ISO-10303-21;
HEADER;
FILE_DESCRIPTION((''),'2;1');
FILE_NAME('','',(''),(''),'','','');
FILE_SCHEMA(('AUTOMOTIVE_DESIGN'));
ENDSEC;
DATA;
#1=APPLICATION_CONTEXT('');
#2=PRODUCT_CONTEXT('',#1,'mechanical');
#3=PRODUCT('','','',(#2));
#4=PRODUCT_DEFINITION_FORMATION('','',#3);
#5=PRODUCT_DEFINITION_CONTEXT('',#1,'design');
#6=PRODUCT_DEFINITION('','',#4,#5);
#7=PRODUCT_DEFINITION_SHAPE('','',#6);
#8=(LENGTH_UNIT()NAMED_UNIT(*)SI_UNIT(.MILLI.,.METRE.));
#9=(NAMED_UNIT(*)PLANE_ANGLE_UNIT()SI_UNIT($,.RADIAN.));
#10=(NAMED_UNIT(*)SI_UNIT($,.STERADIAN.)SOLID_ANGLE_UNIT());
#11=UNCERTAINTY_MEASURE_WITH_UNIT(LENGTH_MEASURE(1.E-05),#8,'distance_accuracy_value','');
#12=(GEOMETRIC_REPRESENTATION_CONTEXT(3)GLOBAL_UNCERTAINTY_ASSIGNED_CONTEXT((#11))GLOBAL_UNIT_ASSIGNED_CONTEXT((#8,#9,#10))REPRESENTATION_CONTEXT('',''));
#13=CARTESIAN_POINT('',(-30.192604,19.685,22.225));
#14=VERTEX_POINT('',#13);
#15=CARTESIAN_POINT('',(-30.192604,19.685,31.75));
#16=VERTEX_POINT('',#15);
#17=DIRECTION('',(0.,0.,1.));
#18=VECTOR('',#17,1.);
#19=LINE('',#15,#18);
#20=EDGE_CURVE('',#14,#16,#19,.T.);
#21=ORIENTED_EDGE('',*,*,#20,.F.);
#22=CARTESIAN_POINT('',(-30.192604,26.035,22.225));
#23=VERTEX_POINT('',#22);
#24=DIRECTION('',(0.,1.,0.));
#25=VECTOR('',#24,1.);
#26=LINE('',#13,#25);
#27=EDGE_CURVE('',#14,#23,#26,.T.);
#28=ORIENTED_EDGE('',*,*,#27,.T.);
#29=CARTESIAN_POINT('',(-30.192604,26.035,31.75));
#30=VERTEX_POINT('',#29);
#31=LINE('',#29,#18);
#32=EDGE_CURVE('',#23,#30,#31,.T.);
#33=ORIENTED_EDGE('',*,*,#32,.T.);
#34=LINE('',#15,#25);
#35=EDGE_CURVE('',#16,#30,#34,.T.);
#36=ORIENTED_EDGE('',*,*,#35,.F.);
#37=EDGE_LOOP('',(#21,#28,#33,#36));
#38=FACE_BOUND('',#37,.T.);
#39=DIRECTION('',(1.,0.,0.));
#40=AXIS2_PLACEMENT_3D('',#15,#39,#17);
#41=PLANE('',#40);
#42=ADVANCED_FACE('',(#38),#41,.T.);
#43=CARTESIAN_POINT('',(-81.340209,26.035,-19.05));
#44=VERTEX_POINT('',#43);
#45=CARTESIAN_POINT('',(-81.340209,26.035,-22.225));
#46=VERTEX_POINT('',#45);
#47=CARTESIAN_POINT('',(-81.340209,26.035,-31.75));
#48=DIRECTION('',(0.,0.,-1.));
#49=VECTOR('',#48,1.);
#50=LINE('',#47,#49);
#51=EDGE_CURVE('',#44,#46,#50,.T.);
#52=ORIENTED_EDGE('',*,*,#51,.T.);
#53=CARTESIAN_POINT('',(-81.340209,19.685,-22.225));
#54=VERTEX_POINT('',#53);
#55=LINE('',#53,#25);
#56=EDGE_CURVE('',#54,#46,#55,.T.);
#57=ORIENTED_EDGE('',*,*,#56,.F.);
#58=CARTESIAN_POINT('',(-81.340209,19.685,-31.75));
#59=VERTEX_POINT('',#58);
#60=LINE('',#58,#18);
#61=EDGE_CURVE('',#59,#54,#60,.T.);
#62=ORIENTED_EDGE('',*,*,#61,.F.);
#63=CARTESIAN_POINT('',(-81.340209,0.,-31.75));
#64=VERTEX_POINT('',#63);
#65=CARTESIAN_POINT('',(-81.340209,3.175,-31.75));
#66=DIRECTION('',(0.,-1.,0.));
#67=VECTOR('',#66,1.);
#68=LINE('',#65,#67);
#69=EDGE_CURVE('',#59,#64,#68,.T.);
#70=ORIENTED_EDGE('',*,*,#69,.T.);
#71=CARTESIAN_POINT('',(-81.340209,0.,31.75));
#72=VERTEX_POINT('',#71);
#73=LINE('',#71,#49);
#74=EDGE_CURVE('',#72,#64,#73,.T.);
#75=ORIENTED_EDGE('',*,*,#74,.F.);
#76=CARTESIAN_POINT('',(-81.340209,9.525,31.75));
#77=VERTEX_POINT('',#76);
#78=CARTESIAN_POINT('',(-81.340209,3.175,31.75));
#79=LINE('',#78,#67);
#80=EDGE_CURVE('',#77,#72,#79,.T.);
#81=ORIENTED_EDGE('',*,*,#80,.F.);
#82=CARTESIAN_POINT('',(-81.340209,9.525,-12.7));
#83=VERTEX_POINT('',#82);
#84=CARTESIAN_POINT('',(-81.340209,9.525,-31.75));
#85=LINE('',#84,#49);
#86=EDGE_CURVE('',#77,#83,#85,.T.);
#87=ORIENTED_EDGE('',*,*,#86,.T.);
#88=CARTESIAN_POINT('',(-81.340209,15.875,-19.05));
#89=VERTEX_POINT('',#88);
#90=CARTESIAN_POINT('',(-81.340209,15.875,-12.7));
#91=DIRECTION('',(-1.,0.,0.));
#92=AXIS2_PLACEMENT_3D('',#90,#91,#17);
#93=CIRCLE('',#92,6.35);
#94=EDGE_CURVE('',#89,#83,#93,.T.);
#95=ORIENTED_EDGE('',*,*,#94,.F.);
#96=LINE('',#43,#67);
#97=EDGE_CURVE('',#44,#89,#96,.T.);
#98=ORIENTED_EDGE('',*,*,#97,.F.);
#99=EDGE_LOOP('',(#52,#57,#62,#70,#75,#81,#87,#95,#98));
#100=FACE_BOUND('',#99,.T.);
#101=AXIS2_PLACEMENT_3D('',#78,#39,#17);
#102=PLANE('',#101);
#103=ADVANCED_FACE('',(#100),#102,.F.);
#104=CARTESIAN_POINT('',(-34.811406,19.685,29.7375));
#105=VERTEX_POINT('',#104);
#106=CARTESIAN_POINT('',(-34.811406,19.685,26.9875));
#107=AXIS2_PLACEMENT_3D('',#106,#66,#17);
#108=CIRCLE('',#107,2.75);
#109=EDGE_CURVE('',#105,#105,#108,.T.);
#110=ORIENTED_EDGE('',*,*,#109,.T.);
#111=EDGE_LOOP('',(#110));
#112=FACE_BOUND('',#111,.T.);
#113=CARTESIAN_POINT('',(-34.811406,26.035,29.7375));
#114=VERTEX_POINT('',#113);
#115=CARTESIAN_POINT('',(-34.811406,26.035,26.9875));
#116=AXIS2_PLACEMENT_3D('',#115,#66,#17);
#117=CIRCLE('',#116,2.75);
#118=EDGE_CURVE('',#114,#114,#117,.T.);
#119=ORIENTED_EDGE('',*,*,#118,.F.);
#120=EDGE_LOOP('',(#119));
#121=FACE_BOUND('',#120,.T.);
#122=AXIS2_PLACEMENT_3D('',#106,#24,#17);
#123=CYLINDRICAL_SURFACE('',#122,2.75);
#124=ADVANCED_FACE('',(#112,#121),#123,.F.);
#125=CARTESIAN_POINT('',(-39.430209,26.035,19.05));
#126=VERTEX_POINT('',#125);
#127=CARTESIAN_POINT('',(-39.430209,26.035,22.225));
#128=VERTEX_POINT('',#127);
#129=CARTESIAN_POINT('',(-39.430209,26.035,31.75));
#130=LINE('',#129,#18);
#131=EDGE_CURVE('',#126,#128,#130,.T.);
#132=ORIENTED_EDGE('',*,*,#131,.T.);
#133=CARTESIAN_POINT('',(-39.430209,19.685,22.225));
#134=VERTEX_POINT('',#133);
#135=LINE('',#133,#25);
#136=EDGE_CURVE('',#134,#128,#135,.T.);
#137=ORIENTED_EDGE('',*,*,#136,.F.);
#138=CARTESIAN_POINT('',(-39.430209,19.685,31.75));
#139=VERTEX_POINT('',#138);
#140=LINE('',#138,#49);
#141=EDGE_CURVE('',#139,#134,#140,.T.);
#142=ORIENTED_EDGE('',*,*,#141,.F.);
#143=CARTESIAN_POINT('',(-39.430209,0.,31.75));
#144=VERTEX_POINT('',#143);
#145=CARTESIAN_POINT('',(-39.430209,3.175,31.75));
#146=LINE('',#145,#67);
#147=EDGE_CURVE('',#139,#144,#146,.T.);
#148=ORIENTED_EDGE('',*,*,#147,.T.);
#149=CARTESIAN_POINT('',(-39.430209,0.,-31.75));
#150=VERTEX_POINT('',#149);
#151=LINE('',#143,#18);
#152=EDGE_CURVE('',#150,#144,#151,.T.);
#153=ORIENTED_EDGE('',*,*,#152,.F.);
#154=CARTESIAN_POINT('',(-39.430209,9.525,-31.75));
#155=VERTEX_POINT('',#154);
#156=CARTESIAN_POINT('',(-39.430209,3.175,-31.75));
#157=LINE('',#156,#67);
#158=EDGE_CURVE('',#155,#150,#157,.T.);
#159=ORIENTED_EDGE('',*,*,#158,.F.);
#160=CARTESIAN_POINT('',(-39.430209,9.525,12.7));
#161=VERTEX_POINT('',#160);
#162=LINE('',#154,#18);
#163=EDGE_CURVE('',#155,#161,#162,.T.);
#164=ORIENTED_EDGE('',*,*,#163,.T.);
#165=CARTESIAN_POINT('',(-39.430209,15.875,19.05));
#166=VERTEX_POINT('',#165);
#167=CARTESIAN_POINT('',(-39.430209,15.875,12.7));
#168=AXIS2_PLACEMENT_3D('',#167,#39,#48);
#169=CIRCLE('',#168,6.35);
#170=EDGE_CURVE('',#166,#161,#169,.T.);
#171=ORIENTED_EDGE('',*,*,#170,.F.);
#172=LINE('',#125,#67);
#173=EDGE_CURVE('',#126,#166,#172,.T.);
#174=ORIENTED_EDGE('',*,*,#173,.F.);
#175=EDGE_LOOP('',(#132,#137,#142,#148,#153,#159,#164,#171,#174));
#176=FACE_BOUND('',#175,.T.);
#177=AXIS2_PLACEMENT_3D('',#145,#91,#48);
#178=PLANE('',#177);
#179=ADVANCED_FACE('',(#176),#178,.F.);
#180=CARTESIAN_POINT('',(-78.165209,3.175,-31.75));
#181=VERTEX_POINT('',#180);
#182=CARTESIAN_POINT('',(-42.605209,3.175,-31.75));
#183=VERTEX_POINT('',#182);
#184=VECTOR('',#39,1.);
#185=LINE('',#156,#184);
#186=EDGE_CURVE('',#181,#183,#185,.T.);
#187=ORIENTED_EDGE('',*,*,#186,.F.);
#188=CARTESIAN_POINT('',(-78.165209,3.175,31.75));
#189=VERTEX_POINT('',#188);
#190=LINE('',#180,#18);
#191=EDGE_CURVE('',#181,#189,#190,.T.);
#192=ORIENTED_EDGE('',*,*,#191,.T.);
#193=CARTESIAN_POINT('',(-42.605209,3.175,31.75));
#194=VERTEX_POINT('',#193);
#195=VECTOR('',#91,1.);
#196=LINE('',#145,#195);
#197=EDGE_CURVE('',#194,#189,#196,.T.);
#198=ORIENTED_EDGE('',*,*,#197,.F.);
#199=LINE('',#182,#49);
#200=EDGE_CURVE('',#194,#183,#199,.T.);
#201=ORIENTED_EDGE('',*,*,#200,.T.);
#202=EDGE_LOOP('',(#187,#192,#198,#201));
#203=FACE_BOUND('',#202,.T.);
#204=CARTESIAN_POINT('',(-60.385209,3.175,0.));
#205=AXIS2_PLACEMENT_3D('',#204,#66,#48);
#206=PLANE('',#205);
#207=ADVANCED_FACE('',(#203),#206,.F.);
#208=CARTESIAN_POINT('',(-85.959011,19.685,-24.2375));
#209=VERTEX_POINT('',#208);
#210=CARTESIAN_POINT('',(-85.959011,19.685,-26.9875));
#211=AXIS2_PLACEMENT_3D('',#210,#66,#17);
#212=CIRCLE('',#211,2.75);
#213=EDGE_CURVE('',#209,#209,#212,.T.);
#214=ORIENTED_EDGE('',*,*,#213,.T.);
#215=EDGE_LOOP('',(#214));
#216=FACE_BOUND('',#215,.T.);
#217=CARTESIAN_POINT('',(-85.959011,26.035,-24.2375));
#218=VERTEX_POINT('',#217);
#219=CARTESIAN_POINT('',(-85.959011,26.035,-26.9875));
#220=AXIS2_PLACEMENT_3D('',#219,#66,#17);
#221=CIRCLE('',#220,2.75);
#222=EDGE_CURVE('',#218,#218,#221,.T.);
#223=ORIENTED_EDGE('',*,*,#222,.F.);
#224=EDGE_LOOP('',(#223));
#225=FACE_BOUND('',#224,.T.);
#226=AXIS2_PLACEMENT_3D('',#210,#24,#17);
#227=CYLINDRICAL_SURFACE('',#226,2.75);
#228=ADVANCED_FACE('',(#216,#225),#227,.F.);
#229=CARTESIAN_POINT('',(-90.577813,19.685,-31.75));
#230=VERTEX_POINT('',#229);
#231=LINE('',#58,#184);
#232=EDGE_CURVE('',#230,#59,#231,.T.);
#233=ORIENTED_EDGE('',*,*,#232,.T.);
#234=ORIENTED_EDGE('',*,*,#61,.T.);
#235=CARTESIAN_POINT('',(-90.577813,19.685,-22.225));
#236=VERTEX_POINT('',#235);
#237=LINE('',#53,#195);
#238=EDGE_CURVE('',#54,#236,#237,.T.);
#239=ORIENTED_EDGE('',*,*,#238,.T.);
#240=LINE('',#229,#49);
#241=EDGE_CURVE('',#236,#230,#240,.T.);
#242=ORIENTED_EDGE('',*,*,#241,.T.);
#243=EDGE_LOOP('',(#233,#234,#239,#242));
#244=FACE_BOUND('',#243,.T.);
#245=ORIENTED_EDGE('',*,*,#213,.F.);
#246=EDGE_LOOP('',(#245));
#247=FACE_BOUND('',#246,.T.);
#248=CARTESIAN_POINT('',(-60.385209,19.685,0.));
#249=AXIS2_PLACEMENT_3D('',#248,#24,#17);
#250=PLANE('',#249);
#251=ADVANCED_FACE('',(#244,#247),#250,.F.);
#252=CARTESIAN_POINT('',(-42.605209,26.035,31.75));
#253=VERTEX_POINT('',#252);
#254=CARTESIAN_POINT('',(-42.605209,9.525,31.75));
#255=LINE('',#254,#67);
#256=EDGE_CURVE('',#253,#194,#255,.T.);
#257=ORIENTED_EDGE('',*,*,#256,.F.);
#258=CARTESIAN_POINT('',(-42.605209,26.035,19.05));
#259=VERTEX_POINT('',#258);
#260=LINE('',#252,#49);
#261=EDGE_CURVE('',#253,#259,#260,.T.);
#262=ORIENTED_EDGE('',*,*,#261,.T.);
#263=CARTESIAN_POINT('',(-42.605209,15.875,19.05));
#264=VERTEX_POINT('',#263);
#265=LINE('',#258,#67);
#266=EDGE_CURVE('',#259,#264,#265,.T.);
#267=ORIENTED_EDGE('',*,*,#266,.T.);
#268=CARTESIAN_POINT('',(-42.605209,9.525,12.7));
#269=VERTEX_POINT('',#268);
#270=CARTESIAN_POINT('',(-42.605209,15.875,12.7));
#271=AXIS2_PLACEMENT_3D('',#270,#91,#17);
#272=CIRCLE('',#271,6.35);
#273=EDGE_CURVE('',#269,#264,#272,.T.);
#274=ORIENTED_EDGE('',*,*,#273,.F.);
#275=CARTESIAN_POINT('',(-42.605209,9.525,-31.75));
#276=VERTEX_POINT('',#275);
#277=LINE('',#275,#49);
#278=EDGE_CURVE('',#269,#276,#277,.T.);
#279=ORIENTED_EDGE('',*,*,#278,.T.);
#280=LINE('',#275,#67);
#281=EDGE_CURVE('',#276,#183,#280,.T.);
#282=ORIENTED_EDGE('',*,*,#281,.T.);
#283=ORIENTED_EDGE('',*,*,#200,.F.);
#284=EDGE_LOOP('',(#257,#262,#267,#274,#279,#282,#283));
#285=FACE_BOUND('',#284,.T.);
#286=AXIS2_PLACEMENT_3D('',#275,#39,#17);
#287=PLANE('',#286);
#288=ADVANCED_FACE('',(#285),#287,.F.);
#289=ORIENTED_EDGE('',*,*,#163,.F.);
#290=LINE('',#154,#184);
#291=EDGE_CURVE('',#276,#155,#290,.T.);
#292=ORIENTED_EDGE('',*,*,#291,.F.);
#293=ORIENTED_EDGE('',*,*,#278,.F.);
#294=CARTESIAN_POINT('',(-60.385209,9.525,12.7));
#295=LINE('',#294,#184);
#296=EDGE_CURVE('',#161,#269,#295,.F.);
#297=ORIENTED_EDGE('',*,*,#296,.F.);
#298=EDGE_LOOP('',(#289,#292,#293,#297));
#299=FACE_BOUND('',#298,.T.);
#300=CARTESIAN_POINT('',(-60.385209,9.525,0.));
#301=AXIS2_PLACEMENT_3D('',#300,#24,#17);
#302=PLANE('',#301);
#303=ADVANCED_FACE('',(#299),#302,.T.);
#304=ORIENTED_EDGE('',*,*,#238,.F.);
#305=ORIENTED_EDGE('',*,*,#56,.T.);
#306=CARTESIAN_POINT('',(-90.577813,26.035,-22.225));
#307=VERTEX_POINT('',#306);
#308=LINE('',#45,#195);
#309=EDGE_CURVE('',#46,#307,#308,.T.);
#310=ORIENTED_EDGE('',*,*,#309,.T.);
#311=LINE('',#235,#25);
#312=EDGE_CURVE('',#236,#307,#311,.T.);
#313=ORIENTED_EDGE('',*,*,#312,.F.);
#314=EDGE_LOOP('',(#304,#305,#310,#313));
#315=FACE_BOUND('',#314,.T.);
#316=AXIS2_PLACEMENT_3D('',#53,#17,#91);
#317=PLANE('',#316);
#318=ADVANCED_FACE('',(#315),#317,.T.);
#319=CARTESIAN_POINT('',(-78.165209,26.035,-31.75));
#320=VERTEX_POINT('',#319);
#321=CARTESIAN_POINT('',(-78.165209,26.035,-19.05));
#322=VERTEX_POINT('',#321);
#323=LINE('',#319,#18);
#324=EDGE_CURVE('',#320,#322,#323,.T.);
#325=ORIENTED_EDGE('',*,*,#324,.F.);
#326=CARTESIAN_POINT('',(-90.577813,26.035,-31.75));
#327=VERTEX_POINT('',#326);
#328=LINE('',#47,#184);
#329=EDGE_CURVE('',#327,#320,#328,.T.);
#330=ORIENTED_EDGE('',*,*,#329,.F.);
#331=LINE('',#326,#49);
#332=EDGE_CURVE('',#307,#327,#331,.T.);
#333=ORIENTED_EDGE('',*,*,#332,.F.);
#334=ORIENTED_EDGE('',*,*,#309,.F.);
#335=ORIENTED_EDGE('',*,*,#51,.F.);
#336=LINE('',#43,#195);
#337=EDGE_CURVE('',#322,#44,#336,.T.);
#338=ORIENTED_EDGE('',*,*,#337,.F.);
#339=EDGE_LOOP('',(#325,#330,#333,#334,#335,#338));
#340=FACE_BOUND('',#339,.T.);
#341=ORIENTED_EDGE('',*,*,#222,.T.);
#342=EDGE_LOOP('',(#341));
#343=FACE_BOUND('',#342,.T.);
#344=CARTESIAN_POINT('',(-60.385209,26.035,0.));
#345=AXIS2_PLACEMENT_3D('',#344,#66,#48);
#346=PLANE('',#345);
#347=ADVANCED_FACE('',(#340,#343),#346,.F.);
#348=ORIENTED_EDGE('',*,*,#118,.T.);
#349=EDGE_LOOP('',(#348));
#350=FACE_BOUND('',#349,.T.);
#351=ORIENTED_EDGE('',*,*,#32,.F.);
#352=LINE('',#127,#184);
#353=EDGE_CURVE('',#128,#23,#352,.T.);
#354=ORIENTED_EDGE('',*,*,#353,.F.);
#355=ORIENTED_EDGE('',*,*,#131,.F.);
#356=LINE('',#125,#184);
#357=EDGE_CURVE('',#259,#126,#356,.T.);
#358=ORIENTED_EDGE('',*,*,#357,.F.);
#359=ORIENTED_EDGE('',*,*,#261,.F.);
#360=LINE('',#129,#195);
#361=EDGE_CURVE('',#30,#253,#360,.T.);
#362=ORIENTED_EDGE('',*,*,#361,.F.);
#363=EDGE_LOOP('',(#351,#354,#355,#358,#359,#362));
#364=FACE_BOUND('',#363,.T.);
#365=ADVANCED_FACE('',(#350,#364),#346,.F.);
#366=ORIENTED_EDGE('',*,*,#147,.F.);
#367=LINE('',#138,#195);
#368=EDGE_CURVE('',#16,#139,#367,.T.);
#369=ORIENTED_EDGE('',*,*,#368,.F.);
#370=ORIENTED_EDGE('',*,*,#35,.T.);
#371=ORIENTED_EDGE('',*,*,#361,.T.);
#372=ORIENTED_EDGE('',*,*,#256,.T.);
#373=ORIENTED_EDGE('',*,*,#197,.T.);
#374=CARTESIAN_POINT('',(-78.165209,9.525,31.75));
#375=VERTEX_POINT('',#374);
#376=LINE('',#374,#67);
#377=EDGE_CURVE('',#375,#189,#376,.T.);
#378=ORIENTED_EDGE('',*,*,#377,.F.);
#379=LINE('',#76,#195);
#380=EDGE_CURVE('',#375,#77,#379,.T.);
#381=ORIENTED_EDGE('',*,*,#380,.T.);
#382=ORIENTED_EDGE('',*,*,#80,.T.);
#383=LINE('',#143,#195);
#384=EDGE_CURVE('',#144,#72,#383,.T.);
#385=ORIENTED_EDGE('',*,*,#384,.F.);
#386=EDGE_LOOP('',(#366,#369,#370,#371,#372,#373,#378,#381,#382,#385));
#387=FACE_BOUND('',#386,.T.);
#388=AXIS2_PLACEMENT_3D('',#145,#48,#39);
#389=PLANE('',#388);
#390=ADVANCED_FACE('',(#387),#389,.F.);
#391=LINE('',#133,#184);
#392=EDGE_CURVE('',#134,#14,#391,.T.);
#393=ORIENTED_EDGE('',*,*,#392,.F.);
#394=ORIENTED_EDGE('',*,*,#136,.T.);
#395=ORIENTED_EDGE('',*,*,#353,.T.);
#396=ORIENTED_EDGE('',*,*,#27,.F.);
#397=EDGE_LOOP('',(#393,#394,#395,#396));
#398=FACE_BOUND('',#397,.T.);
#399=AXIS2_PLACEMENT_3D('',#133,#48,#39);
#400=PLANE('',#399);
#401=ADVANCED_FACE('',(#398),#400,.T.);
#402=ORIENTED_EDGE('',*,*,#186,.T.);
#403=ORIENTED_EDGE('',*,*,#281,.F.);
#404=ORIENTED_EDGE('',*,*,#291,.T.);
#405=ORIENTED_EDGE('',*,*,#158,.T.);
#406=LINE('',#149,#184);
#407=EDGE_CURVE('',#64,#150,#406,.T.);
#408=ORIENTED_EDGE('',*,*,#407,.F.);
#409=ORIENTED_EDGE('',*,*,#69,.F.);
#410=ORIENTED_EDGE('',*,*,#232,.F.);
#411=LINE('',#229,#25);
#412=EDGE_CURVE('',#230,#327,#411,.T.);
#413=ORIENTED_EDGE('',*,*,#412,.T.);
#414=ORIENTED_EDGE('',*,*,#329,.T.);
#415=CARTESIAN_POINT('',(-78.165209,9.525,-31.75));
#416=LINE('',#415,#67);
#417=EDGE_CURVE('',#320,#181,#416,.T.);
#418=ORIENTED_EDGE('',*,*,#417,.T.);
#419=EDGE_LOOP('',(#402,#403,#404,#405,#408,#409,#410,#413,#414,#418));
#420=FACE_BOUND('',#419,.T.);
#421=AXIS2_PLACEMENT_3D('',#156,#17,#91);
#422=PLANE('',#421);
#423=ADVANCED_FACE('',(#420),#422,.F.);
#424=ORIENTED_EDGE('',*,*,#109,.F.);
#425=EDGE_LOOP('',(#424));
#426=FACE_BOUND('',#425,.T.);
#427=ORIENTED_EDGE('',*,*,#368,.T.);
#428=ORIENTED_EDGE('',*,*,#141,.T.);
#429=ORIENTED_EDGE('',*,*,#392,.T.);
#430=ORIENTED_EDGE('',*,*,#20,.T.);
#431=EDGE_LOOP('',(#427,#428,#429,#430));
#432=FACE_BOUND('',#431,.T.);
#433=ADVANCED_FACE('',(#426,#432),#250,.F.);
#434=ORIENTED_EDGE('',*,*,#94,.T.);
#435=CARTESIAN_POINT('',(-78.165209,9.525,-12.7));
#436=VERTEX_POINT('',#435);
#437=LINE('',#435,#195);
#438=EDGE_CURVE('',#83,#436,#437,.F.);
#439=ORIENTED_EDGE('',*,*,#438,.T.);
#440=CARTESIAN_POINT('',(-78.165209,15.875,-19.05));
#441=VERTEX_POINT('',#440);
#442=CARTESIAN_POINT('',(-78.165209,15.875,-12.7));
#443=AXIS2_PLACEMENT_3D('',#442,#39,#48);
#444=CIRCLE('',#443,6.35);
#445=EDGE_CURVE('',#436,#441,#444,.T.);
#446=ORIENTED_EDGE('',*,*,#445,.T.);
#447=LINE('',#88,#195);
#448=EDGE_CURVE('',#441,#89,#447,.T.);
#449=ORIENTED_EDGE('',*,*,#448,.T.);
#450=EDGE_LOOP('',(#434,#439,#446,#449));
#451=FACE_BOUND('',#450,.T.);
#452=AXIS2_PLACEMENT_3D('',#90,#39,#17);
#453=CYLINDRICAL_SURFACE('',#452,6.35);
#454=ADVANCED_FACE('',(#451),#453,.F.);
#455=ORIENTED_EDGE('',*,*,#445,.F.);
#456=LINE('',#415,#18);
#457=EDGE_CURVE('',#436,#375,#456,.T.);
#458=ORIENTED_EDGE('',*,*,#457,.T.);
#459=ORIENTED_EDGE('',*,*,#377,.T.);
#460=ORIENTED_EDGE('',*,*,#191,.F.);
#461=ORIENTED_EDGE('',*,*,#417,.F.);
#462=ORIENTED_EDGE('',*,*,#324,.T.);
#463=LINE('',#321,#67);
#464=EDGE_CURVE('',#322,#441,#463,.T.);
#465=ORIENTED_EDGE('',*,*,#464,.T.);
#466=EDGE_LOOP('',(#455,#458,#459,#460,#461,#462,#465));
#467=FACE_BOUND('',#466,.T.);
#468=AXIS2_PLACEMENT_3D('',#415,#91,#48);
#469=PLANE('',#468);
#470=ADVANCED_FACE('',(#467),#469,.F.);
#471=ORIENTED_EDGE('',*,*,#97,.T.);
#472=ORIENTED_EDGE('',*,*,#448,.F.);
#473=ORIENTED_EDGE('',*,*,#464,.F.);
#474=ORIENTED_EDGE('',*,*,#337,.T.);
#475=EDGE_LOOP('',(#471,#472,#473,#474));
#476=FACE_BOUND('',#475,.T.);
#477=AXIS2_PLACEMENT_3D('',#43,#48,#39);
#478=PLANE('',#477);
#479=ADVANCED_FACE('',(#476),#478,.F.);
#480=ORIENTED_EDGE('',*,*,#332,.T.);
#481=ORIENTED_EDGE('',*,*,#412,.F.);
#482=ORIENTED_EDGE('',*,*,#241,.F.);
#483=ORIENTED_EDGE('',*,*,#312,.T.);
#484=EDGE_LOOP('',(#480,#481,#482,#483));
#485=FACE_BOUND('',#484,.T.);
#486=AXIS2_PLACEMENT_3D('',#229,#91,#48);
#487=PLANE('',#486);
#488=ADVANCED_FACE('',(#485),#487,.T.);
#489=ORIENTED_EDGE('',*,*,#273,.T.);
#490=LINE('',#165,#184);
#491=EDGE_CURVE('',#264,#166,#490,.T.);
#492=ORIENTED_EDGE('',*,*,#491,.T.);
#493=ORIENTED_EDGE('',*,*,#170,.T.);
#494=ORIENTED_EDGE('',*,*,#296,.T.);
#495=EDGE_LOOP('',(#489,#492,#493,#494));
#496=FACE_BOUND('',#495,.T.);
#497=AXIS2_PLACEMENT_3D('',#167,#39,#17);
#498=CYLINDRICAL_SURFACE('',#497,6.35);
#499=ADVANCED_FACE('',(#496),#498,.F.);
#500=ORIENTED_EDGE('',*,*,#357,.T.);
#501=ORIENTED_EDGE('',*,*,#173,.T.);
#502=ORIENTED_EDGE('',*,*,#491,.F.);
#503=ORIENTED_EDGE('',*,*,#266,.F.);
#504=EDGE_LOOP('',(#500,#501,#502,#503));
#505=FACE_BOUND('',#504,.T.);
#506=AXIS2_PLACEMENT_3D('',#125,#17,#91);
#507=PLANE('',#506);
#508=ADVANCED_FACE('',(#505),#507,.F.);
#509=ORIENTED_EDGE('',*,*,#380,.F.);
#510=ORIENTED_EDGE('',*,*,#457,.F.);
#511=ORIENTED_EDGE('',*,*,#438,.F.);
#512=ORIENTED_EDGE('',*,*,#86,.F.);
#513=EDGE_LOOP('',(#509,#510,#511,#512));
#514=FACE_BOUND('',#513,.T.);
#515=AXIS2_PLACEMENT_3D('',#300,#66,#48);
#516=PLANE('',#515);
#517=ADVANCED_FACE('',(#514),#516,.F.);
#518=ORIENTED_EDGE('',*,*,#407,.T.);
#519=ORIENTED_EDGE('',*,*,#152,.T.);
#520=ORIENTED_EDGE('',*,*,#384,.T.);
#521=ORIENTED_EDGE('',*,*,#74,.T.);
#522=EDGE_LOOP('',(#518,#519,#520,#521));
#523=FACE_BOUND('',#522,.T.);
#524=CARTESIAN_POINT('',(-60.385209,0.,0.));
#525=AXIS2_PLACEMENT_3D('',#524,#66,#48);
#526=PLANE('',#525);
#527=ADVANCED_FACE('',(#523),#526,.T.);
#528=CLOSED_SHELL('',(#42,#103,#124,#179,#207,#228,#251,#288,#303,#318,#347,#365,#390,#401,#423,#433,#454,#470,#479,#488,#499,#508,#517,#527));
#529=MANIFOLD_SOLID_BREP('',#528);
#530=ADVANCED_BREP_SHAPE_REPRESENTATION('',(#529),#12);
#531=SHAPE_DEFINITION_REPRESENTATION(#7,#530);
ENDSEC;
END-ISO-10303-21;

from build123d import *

# Parameters (mm, degrees)
SKETCH1_W           = 41.91
SKETCH1_H           = 63.5
BOSS_EXTRUDE1_DEPTH = 3.175
SKETCH2_W           = 3.175
SKETCH2_H           = 63.5
BOSS_EXTRUDE2_DEPTH = 6.35
SKETCH5_W           = 3.175
SKETCH5_H           = 12.7
BOSS_EXTRUDE4_DEPTH = 16.51
SKETCH6_W           = 9.237604307
SKETCH6_H           = 9.525
SKETCH6_R           = 2.75
BOSS_EXTRUDE5_DEPTH = 6.35
FILLET2_R           = 6.35


with BuildPart() as part:
    # Sketch1 → Boss-Extrude1 (new body)
    with BuildSketch(Plane(origin=(0, 0, 0), x_dir=(1, 0, 0), z_dir=(0, 1, 0))):
        Rectangle(SKETCH1_W, SKETCH1_H)
    extrude(amount=BOSS_EXTRUDE1_DEPTH)

    # Sketch2 → Boss-Extrude2 (add)
    with BuildSketch(Plane(origin=(0, 3.175, 0), x_dir=(1, 0, 0), z_dir=(0, 1, 0))):
        with Locations((-19.3675, 0)):
            Rectangle(SKETCH2_W, SKETCH2_H)
        with Locations((19.3675, 0)):
            Rectangle(SKETCH2_W, SKETCH2_H)
    extrude(amount=BOSS_EXTRUDE2_DEPTH)

    # Sketch5 → Boss-Extrude4 (add)
    with BuildSketch(Plane(origin=(0, 9.525, 0), x_dir=(1, 0, 0), z_dir=(0, 1, 0))):
        with Locations((19.3675, 25.4)):
            Rectangle(SKETCH5_W, SKETCH5_H)
        with Locations((-19.3675, -25.4)):
            Rectangle(SKETCH5_W, SKETCH5_H)
    extrude(amount=BOSS_EXTRUDE4_DEPTH)

    # Sketch6 → Boss-Extrude5 (add)
    # profile 1 of 2: a face of its own
    with BuildSketch(Plane(origin=(0, 26.035, 0), x_dir=(1, 0, 0), z_dir=(0, 1, 0))):
        with Locations((-25.573802154, -26.9875)):
            Rectangle(SKETCH6_W, SKETCH6_H)
        with Locations(Location((-25.573802154, -26.9875, 0), (0, 0, 270))):
            Circle(SKETCH6_R, mode=Mode.SUBTRACT)
    # profile 2 of 2: a face of its own
    with BuildSketch(Plane(origin=(0, 26.035, 0), x_dir=(1, 0, 0), z_dir=(0, 1, 0))):
        with Locations((25.573802154, 26.9875)):
            Rectangle(SKETCH6_W, SKETCH6_H)
        with Locations(Location((25.573802154, 26.9875, 0), (0, 0, 270))):
            Circle(SKETCH6_R, mode=Mode.SUBTRACT)
    extrude(amount=-BOSS_EXTRUDE5_DEPTH)

    # Fillet2
    fillet2_edges = [part.edges().sort_by_distance(p)[0] for p in [
        (19.3675, 9.525, -19.05),
        (-19.3675, 9.525, 19.05),
    ]]
    fillet(fillet2_edges, radius=FILLET2_R)


with BuildPart() as body_2:
    # Mirror1: mirrored copy
    add(part.part.mirror(Plane(origin=(-30.192604307, 19.685, 31.75), x_dir=(0, 0, 1), z_dir=(-1, 0, 0))))


solid = body_2.part
